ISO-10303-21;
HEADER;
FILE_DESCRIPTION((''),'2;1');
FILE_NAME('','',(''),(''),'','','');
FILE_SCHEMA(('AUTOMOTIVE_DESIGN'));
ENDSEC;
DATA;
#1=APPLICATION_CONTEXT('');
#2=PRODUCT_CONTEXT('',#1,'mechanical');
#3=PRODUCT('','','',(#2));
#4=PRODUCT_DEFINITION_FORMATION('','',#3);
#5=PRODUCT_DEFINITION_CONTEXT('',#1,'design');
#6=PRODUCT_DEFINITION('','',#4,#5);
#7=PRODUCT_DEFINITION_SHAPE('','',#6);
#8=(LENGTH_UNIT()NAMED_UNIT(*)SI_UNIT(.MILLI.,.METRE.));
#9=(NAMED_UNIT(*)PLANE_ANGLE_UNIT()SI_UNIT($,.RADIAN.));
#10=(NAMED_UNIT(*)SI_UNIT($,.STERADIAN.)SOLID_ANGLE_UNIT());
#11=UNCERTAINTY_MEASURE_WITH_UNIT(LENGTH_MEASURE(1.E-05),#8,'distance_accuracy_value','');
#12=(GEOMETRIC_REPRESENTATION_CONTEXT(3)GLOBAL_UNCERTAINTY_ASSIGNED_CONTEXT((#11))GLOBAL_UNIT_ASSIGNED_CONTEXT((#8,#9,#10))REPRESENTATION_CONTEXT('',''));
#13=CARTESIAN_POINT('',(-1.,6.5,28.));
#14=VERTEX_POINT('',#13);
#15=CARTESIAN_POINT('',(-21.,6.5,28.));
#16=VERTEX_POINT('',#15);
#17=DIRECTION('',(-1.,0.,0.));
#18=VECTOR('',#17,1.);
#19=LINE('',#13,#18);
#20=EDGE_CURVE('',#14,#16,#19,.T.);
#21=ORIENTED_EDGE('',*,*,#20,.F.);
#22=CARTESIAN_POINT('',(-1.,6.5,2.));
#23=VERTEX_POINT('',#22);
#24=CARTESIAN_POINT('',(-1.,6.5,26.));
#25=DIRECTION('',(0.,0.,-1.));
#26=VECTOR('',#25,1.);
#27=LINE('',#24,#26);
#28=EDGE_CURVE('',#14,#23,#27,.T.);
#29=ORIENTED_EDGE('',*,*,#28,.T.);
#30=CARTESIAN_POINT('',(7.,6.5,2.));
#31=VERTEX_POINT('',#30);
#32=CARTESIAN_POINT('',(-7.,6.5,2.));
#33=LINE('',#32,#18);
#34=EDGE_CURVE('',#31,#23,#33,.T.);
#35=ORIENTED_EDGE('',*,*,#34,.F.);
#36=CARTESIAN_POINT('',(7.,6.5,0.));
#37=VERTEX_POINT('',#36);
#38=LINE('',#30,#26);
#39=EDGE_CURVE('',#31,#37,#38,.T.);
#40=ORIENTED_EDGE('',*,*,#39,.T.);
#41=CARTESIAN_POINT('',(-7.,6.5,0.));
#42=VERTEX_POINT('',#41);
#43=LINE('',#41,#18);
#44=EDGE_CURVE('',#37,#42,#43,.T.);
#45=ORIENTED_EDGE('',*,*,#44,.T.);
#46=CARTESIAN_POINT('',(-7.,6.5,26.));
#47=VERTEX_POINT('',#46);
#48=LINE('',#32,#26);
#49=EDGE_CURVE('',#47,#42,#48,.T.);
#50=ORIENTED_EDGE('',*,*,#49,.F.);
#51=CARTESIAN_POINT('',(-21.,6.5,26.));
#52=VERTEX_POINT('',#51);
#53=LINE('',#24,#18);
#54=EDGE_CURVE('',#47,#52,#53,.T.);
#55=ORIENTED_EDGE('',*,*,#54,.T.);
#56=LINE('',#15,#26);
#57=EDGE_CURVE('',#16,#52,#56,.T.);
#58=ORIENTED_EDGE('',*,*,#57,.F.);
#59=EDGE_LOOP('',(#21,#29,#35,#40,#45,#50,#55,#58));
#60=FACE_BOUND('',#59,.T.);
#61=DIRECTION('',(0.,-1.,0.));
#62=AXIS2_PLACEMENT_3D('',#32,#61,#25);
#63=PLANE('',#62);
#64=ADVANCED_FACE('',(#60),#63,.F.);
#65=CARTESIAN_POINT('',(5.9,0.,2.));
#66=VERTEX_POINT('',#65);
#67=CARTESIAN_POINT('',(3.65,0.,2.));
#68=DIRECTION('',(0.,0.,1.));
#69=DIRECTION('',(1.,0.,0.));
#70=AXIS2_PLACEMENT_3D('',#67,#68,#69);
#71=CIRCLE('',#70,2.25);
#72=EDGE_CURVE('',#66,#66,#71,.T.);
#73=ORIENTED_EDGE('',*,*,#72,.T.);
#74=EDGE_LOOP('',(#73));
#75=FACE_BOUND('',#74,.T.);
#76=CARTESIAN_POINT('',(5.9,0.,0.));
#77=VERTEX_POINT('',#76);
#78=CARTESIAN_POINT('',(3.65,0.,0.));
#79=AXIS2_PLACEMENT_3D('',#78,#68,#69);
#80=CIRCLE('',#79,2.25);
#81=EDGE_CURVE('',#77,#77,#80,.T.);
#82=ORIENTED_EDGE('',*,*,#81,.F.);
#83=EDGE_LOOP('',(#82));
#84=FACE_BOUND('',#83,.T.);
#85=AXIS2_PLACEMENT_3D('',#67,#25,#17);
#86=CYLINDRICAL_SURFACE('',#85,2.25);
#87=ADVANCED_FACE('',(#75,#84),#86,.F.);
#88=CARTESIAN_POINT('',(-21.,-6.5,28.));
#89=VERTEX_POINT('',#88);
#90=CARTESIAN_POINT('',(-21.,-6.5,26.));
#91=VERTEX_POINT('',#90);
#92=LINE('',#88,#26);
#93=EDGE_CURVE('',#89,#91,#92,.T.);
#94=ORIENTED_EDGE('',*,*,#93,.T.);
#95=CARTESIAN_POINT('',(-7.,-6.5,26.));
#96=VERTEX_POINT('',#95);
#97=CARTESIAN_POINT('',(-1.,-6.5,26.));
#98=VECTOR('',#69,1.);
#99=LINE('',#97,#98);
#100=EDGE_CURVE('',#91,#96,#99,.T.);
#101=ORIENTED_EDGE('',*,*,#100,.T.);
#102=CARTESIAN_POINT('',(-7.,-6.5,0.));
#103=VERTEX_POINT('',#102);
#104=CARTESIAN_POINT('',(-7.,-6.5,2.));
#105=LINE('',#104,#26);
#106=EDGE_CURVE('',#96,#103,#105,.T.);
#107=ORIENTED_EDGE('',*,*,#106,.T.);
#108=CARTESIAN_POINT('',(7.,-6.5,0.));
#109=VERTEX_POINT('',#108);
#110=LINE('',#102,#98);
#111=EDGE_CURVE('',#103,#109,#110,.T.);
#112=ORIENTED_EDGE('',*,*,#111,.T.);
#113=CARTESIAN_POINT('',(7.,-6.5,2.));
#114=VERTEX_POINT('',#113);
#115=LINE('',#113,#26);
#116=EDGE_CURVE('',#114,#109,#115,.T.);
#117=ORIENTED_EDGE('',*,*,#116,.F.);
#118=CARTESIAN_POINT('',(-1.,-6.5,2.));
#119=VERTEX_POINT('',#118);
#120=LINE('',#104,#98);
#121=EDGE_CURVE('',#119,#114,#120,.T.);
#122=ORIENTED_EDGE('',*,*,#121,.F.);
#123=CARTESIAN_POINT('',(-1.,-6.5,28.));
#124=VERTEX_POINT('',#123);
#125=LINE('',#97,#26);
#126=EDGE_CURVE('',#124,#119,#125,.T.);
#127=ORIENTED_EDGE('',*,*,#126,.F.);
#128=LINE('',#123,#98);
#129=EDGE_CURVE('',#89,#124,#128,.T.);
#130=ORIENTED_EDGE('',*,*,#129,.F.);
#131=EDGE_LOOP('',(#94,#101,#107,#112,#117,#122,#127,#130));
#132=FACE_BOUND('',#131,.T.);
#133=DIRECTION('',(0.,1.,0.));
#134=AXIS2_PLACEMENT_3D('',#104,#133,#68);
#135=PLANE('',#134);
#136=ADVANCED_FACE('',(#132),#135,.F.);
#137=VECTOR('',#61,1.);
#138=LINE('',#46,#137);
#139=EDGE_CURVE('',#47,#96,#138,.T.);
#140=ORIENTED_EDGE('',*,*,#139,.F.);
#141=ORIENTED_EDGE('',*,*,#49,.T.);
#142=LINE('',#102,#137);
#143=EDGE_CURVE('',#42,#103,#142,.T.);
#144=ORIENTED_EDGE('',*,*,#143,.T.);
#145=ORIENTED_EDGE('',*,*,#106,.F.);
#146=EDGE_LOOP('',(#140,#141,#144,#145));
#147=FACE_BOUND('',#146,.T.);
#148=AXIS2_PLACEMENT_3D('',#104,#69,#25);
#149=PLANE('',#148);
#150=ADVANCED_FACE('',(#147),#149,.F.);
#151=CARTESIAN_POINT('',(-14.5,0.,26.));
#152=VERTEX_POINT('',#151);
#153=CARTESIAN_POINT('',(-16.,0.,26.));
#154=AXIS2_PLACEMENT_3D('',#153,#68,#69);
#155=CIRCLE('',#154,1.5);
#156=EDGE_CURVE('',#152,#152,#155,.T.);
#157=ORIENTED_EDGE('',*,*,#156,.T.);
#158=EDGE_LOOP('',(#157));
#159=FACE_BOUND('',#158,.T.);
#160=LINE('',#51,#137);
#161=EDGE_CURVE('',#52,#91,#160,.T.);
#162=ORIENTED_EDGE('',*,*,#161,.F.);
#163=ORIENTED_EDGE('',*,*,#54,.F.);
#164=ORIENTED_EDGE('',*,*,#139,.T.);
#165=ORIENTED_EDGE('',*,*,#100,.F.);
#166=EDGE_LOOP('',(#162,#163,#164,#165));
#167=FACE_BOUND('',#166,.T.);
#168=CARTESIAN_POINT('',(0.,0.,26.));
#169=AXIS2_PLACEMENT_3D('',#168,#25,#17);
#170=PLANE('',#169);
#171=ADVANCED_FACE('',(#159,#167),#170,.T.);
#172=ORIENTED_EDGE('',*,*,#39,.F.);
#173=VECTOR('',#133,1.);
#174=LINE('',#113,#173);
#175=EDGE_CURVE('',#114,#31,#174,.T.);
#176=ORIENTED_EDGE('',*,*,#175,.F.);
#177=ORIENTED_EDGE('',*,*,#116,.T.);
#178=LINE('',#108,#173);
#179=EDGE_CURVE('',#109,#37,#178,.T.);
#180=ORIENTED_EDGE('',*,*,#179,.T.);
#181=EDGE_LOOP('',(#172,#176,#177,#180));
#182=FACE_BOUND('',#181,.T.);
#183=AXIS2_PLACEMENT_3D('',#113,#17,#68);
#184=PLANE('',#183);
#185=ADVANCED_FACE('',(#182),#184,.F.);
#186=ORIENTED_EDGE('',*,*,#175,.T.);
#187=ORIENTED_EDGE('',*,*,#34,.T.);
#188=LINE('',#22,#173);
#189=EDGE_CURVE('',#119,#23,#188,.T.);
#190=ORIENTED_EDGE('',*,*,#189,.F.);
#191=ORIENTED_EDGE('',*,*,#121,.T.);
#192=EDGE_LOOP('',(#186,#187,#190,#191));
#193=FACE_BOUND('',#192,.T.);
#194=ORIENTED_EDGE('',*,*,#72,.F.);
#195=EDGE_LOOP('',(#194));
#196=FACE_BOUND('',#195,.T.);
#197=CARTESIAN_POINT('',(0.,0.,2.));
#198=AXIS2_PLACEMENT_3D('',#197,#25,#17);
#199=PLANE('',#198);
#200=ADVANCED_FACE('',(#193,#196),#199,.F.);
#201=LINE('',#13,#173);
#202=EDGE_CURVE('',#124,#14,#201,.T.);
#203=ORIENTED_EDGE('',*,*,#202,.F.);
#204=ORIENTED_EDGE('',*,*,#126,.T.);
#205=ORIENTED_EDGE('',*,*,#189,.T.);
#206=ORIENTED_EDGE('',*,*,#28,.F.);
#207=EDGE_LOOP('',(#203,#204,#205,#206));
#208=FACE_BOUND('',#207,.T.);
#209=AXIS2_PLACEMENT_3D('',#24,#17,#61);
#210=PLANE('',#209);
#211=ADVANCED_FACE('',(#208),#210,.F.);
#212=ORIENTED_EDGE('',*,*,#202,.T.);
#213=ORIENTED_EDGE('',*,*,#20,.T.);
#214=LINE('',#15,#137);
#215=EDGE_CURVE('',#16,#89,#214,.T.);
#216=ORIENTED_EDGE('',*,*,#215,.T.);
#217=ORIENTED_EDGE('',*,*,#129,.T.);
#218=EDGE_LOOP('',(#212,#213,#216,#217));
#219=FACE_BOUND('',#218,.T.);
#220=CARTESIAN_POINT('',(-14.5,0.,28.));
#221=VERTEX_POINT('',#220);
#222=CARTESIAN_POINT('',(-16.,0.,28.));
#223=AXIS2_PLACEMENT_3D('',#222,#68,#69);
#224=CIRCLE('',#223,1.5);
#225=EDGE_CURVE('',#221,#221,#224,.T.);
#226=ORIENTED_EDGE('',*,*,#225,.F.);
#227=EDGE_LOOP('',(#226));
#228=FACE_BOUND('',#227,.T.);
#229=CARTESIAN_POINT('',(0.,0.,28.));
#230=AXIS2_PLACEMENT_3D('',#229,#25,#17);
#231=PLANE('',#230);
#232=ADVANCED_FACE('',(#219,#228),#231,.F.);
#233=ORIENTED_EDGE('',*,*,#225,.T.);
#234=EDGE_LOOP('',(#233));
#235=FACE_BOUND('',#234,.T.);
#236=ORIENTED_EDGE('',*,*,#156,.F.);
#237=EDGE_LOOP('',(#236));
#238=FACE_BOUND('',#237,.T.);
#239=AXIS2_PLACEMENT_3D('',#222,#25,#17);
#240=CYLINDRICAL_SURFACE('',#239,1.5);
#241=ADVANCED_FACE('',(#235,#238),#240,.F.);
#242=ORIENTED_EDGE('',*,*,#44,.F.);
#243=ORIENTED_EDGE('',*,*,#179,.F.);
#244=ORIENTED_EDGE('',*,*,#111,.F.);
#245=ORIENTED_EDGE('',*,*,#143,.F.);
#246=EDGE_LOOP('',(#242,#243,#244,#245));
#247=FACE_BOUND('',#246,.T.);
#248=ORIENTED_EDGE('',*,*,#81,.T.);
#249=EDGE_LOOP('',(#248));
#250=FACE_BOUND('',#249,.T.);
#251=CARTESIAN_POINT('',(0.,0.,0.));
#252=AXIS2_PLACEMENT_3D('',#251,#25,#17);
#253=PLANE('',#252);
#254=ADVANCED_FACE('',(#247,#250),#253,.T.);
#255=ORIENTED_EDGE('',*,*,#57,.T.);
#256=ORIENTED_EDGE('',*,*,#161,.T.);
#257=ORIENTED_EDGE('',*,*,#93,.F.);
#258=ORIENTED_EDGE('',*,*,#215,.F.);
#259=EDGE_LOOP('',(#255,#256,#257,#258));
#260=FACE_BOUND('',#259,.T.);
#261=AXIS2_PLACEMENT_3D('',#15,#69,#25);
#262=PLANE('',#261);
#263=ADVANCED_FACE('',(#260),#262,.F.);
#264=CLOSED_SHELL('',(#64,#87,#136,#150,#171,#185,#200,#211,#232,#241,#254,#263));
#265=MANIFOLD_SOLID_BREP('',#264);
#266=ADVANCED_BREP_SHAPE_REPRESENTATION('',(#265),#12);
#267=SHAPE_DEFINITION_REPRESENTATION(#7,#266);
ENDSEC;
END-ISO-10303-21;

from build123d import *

# Parameters (mm, degrees)
SZKIC1_W                    = 14
SZKIC1_H                    = 13
SZKIC1_R                    = 2.25
DODANIE_WYCI_GNI_CIE1_DEPTH = 2
SZKIC2_W                    = 6
SZKIC2_H                    = 13
DODANIE_WYCI_GNI_CIE2_DEPTH = 24
SZKIC3_W                    = 20
SZKIC3_H                    = 13
SZKIC3_R                    = 1.5
DODANIE_WYCI_GNI_CIE3_DEPTH = 2


with BuildPart() as part:
    # Szkic1 → Dodanie-wyciągnięcie1 (new body)
    with BuildSketch(Plane.XY):
        Rectangle(SZKIC1_W, SZKIC1_H)
        with Locations((3.65, 0)):
            Circle(SZKIC1_R, mode=Mode.SUBTRACT)
    extrude(amount=DODANIE_WYCI_GNI_CIE1_DEPTH)

    # Szkic2 → Dodanie-wyciągnięcie2 (add)
    with BuildSketch(Plane.XY.offset(2)):
        with Locations((-4, 0)):
            Rectangle(SZKIC2_W, SZKIC2_H)
    extrude(amount=DODANIE_WYCI_GNI_CIE2_DEPTH)

    # Szkic3 → Dodanie-wyciągnięcie3 (add)
    with BuildSketch(Plane.XY.offset(26)):
        with Locations((-11, 0)):
            Rectangle(SZKIC3_W, SZKIC3_H)
        with Locations((-16, 0)):
            Circle(SZKIC3_R, mode=Mode.SUBTRACT)
    extrude(amount=DODANIE_WYCI_GNI_CIE3_DEPTH)


solid = part.part
